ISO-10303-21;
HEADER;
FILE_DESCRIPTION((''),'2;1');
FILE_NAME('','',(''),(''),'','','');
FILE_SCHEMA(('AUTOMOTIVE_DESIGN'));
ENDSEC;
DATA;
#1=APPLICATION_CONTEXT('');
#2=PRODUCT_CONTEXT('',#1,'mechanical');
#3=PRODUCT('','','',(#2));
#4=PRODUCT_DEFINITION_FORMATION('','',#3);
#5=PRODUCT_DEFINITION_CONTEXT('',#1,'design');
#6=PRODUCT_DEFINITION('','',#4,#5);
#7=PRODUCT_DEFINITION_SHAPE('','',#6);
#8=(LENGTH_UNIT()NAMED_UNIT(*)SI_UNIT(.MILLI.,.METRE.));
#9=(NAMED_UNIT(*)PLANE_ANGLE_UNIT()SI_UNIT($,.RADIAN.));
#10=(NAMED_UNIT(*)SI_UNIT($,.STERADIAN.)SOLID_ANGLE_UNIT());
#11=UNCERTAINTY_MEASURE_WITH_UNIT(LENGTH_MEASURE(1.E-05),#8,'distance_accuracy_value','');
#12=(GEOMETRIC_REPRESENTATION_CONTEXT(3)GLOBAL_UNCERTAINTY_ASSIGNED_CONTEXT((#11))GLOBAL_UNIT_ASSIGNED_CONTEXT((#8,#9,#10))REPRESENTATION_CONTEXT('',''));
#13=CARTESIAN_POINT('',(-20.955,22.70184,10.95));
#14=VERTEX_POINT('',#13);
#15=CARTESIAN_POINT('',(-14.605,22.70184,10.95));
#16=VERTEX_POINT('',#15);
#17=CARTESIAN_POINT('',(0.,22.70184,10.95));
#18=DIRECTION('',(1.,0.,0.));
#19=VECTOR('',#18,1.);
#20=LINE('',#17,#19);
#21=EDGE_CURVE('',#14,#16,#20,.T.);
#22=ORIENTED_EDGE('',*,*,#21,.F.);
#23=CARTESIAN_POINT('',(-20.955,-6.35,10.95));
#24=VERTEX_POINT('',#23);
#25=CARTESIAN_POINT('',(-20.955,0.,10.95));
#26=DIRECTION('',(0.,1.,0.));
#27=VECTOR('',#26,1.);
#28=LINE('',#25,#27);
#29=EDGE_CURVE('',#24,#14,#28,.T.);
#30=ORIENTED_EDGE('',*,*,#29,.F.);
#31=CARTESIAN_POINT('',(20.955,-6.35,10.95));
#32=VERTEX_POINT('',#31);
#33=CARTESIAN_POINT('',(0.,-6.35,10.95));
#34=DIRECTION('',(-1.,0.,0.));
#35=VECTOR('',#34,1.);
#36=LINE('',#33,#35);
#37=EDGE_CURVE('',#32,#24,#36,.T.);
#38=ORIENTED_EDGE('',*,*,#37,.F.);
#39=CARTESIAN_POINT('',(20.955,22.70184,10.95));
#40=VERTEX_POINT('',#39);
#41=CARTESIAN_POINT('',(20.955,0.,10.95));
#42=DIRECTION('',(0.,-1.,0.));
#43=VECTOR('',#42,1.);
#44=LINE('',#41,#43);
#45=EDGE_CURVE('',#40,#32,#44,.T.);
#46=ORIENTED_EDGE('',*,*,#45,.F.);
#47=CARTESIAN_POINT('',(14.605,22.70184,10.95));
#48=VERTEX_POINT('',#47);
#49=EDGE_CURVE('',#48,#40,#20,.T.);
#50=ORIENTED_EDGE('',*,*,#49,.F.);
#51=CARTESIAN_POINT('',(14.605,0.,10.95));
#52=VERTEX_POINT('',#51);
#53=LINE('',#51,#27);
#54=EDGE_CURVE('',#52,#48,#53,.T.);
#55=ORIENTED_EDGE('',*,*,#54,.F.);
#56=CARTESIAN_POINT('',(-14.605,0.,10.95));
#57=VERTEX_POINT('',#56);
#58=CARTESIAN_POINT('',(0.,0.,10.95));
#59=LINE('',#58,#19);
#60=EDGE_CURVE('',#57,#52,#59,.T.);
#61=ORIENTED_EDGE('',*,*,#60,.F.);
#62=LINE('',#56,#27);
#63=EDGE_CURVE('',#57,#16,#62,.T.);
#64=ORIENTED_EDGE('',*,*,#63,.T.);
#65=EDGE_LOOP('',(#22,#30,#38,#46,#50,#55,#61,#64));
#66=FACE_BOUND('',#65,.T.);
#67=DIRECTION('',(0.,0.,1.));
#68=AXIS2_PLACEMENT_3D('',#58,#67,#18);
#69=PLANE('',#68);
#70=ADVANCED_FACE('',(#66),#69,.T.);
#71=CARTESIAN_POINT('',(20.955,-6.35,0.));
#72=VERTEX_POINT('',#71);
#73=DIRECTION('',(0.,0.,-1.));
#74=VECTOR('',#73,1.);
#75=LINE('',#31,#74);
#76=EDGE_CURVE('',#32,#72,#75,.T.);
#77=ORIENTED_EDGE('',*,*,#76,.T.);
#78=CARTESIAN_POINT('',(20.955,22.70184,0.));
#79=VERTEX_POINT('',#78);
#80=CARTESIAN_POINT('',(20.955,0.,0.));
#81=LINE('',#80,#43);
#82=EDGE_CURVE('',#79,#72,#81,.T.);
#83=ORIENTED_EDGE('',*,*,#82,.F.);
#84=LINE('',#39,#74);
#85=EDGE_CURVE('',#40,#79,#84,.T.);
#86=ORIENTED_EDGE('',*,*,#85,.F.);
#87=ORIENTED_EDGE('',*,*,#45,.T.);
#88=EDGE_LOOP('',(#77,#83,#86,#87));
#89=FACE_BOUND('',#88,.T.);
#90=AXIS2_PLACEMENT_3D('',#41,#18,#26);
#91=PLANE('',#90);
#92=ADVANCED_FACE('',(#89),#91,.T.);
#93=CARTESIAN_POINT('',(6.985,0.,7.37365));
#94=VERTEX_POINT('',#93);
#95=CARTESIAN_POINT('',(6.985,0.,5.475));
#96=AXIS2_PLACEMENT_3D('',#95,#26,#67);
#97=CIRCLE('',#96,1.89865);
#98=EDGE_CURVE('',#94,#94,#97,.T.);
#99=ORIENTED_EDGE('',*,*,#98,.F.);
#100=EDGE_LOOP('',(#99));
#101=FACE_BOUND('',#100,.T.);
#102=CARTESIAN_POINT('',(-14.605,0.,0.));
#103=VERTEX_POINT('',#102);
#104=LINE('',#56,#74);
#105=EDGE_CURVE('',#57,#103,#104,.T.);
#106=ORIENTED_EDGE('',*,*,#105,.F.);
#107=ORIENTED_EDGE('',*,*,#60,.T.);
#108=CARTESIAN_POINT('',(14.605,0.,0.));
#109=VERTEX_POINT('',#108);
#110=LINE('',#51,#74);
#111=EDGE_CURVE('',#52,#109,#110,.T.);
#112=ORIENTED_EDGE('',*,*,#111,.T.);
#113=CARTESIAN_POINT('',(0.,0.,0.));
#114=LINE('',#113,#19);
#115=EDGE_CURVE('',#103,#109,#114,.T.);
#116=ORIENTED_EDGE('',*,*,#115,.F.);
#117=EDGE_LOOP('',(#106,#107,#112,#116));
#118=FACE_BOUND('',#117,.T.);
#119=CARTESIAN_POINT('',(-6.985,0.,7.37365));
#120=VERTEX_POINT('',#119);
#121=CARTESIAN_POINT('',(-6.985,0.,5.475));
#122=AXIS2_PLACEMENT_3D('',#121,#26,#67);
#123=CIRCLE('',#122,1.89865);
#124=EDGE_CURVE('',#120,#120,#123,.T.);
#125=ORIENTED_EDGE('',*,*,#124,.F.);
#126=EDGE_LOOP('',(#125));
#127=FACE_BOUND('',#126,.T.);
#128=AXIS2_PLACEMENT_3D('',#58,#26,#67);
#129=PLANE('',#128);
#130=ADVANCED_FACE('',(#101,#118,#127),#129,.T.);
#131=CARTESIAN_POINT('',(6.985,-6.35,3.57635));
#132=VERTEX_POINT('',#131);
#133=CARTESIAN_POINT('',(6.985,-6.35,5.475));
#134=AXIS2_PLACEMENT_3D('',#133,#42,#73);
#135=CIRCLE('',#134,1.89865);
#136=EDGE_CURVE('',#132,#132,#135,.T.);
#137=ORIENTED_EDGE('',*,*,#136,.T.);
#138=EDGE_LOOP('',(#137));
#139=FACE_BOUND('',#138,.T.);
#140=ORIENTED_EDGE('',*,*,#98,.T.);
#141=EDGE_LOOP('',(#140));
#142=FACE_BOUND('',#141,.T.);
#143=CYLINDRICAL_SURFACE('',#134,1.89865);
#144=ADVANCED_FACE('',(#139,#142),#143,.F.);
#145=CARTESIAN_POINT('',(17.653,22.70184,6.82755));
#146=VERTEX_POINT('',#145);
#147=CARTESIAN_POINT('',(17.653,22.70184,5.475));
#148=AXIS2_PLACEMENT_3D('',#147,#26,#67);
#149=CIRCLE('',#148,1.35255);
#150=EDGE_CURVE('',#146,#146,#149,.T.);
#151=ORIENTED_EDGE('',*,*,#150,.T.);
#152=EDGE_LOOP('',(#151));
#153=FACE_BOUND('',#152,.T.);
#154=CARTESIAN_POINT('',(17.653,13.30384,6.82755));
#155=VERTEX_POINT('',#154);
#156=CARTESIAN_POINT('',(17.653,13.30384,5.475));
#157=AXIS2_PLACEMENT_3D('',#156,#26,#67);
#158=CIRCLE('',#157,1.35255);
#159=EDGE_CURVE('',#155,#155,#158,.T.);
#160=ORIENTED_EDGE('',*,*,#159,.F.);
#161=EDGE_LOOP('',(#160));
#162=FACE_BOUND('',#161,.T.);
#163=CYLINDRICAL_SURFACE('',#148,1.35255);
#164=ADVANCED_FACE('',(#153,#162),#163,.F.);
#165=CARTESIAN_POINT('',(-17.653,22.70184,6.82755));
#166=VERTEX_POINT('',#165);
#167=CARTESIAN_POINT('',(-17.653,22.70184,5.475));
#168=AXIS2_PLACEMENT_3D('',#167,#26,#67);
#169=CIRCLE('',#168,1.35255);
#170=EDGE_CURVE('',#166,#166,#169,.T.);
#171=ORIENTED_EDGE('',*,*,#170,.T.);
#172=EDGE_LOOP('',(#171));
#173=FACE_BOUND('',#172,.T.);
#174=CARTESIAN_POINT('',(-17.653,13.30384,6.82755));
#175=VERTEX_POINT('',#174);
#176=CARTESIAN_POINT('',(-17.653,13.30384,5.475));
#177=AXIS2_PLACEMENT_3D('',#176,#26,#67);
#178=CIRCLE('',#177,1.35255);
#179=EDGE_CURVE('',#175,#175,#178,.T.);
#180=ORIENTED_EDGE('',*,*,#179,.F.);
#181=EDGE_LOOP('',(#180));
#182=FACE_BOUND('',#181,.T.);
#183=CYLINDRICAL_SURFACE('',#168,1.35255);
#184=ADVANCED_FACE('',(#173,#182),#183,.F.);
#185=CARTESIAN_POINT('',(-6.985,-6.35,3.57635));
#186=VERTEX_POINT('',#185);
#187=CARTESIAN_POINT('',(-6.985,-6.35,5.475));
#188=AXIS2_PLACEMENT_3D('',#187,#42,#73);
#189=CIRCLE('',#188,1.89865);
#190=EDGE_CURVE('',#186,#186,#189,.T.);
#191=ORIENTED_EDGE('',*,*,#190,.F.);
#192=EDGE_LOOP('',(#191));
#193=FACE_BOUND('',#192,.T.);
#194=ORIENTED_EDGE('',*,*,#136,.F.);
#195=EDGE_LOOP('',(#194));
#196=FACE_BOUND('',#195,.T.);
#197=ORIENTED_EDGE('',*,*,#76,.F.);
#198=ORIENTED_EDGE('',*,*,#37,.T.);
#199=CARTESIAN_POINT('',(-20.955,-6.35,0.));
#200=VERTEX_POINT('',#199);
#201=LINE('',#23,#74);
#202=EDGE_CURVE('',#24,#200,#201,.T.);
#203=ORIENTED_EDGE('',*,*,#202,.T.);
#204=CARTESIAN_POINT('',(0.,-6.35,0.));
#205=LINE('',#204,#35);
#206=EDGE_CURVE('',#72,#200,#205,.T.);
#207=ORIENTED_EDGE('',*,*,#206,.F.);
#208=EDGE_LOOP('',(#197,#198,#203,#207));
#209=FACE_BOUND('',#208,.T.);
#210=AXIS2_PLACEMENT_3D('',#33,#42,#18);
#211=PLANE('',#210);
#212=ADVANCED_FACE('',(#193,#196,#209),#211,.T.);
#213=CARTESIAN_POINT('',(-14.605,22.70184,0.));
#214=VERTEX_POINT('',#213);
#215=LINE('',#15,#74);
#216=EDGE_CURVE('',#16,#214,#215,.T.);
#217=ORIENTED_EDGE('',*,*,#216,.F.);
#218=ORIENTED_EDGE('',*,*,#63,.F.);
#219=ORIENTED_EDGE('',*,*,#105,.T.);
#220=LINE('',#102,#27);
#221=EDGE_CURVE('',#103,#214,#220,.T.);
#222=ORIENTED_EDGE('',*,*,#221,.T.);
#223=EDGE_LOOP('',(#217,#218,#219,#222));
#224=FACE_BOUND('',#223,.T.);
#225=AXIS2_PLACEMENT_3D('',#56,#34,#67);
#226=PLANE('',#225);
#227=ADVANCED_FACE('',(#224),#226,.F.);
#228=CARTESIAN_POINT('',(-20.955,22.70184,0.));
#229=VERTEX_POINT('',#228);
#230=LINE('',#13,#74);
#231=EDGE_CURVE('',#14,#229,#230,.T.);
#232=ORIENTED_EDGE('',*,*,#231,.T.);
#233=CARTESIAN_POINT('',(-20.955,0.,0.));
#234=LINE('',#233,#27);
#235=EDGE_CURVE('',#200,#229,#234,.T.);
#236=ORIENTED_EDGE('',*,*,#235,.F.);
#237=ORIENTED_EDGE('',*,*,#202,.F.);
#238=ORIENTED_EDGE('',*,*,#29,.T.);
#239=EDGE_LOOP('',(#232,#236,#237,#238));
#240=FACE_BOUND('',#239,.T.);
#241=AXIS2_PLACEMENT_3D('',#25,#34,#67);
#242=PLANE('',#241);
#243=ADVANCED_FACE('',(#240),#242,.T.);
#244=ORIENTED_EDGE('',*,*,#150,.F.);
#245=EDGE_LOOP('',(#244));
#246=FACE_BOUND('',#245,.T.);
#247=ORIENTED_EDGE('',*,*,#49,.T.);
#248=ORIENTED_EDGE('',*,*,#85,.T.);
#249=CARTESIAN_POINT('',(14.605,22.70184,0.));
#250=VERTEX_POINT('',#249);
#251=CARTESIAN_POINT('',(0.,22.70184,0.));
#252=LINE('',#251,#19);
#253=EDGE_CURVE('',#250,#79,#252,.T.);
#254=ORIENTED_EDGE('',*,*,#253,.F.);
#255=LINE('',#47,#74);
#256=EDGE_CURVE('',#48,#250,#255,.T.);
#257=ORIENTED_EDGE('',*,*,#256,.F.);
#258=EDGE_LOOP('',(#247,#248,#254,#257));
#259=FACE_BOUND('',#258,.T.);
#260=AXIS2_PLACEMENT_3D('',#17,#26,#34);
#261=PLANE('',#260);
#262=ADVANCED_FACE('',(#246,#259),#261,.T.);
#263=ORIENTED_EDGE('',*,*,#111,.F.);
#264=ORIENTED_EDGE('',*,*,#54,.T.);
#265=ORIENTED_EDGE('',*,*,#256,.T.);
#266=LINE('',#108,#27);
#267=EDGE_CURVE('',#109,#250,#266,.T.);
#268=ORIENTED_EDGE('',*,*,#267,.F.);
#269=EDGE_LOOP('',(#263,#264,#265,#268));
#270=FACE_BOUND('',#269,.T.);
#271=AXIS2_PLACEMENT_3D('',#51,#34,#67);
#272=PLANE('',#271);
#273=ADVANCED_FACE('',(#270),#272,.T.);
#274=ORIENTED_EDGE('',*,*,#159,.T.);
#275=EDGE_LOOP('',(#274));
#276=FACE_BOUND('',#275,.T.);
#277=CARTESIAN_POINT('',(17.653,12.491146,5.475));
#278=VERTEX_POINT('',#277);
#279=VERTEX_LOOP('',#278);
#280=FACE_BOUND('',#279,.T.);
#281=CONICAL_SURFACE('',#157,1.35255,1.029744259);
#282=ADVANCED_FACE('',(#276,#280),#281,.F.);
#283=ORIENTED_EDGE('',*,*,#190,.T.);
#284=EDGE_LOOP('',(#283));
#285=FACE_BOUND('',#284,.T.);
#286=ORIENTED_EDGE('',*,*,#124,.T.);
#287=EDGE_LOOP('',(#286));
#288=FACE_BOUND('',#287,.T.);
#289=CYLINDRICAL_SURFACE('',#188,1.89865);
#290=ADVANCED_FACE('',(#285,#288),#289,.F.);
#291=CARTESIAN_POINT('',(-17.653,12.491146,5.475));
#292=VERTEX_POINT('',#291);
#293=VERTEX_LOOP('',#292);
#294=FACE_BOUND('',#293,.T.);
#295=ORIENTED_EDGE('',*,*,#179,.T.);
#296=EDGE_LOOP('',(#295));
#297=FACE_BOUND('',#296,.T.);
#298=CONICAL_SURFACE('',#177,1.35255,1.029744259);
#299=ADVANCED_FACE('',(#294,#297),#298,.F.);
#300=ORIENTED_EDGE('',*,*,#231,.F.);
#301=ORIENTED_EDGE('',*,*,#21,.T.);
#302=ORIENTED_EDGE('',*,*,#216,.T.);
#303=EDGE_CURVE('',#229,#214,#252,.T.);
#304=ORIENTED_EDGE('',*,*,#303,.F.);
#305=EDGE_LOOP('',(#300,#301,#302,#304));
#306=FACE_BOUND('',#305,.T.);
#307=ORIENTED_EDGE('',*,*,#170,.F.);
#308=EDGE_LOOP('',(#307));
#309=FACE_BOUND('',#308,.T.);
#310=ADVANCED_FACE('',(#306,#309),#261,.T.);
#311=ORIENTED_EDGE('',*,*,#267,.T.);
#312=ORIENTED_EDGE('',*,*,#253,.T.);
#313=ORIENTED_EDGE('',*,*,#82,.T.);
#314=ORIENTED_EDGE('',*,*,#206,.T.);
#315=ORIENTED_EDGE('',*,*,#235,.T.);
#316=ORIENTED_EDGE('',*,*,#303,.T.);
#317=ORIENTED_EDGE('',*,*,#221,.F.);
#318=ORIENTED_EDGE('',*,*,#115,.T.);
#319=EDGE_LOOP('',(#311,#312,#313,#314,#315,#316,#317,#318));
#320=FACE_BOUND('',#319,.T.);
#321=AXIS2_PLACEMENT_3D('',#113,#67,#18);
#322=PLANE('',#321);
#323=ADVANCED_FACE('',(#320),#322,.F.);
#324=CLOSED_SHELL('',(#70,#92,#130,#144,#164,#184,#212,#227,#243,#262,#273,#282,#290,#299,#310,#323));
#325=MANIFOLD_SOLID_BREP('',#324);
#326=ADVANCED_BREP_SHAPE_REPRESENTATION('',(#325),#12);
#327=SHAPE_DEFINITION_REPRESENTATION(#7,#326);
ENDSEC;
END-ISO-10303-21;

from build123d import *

# Parameters (mm, degrees)
BOSS_EXTRUDE1_DEPTH       = 10.95
F_6_CLEARANCE_HOLE1_D     = 3.7973
F_6_32_TAPPED_HOLE1_D     = 2.7051
F_6_32_TAPPED_HOLE1_DEPTH = 9.398
F_6_32_TAPPED_HOLE1_TIP   = 0.81269403


with BuildPart() as part:
    # Sketch1 → Boss-Extrude1 (new body)
    with BuildSketch(Plane.XY):
        Polygon((-20.955, 22.701840042), (-14.605, 22.701840042), (-14.605, 0), (14.605, 0), (14.605, 22.701840042), (20.955, 22.701840042), (20.955, -6.35), (-20.955, -6.35), align=None)
    extrude(amount=BOSS_EXTRUDE1_DEPTH)

    # #6 Clearance Hole1 (through all)
    with Locations(Plane(origin=(0, -6.35, 0), x_dir=(-1, 0, 0), z_dir=(0, -1, 0))):
        with Locations((-6.985, -5.475), (6.985, -5.475)):
            Hole(F_6_CLEARANCE_HOLE1_D / 2)

    # #6-32 Tapped Hole1
    with Locations(Plane(origin=(0, 22.701840042, 0), x_dir=(1, 0, 0), z_dir=(0, 1, 0))):
        with Locations((17.653, -5.475), (-17.653, -5.475)):
            Hole(F_6_32_TAPPED_HOLE1_D / 2, depth=F_6_32_TAPPED_HOLE1_DEPTH)
            with Locations((0, 0, -(F_6_32_TAPPED_HOLE1_DEPTH + F_6_32_TAPPED_HOLE1_TIP / 2))):  # 118° drill point
                Cone(0, F_6_32_TAPPED_HOLE1_D / 2, F_6_32_TAPPED_HOLE1_TIP, mode=Mode.SUBTRACT)


solid = part.part
